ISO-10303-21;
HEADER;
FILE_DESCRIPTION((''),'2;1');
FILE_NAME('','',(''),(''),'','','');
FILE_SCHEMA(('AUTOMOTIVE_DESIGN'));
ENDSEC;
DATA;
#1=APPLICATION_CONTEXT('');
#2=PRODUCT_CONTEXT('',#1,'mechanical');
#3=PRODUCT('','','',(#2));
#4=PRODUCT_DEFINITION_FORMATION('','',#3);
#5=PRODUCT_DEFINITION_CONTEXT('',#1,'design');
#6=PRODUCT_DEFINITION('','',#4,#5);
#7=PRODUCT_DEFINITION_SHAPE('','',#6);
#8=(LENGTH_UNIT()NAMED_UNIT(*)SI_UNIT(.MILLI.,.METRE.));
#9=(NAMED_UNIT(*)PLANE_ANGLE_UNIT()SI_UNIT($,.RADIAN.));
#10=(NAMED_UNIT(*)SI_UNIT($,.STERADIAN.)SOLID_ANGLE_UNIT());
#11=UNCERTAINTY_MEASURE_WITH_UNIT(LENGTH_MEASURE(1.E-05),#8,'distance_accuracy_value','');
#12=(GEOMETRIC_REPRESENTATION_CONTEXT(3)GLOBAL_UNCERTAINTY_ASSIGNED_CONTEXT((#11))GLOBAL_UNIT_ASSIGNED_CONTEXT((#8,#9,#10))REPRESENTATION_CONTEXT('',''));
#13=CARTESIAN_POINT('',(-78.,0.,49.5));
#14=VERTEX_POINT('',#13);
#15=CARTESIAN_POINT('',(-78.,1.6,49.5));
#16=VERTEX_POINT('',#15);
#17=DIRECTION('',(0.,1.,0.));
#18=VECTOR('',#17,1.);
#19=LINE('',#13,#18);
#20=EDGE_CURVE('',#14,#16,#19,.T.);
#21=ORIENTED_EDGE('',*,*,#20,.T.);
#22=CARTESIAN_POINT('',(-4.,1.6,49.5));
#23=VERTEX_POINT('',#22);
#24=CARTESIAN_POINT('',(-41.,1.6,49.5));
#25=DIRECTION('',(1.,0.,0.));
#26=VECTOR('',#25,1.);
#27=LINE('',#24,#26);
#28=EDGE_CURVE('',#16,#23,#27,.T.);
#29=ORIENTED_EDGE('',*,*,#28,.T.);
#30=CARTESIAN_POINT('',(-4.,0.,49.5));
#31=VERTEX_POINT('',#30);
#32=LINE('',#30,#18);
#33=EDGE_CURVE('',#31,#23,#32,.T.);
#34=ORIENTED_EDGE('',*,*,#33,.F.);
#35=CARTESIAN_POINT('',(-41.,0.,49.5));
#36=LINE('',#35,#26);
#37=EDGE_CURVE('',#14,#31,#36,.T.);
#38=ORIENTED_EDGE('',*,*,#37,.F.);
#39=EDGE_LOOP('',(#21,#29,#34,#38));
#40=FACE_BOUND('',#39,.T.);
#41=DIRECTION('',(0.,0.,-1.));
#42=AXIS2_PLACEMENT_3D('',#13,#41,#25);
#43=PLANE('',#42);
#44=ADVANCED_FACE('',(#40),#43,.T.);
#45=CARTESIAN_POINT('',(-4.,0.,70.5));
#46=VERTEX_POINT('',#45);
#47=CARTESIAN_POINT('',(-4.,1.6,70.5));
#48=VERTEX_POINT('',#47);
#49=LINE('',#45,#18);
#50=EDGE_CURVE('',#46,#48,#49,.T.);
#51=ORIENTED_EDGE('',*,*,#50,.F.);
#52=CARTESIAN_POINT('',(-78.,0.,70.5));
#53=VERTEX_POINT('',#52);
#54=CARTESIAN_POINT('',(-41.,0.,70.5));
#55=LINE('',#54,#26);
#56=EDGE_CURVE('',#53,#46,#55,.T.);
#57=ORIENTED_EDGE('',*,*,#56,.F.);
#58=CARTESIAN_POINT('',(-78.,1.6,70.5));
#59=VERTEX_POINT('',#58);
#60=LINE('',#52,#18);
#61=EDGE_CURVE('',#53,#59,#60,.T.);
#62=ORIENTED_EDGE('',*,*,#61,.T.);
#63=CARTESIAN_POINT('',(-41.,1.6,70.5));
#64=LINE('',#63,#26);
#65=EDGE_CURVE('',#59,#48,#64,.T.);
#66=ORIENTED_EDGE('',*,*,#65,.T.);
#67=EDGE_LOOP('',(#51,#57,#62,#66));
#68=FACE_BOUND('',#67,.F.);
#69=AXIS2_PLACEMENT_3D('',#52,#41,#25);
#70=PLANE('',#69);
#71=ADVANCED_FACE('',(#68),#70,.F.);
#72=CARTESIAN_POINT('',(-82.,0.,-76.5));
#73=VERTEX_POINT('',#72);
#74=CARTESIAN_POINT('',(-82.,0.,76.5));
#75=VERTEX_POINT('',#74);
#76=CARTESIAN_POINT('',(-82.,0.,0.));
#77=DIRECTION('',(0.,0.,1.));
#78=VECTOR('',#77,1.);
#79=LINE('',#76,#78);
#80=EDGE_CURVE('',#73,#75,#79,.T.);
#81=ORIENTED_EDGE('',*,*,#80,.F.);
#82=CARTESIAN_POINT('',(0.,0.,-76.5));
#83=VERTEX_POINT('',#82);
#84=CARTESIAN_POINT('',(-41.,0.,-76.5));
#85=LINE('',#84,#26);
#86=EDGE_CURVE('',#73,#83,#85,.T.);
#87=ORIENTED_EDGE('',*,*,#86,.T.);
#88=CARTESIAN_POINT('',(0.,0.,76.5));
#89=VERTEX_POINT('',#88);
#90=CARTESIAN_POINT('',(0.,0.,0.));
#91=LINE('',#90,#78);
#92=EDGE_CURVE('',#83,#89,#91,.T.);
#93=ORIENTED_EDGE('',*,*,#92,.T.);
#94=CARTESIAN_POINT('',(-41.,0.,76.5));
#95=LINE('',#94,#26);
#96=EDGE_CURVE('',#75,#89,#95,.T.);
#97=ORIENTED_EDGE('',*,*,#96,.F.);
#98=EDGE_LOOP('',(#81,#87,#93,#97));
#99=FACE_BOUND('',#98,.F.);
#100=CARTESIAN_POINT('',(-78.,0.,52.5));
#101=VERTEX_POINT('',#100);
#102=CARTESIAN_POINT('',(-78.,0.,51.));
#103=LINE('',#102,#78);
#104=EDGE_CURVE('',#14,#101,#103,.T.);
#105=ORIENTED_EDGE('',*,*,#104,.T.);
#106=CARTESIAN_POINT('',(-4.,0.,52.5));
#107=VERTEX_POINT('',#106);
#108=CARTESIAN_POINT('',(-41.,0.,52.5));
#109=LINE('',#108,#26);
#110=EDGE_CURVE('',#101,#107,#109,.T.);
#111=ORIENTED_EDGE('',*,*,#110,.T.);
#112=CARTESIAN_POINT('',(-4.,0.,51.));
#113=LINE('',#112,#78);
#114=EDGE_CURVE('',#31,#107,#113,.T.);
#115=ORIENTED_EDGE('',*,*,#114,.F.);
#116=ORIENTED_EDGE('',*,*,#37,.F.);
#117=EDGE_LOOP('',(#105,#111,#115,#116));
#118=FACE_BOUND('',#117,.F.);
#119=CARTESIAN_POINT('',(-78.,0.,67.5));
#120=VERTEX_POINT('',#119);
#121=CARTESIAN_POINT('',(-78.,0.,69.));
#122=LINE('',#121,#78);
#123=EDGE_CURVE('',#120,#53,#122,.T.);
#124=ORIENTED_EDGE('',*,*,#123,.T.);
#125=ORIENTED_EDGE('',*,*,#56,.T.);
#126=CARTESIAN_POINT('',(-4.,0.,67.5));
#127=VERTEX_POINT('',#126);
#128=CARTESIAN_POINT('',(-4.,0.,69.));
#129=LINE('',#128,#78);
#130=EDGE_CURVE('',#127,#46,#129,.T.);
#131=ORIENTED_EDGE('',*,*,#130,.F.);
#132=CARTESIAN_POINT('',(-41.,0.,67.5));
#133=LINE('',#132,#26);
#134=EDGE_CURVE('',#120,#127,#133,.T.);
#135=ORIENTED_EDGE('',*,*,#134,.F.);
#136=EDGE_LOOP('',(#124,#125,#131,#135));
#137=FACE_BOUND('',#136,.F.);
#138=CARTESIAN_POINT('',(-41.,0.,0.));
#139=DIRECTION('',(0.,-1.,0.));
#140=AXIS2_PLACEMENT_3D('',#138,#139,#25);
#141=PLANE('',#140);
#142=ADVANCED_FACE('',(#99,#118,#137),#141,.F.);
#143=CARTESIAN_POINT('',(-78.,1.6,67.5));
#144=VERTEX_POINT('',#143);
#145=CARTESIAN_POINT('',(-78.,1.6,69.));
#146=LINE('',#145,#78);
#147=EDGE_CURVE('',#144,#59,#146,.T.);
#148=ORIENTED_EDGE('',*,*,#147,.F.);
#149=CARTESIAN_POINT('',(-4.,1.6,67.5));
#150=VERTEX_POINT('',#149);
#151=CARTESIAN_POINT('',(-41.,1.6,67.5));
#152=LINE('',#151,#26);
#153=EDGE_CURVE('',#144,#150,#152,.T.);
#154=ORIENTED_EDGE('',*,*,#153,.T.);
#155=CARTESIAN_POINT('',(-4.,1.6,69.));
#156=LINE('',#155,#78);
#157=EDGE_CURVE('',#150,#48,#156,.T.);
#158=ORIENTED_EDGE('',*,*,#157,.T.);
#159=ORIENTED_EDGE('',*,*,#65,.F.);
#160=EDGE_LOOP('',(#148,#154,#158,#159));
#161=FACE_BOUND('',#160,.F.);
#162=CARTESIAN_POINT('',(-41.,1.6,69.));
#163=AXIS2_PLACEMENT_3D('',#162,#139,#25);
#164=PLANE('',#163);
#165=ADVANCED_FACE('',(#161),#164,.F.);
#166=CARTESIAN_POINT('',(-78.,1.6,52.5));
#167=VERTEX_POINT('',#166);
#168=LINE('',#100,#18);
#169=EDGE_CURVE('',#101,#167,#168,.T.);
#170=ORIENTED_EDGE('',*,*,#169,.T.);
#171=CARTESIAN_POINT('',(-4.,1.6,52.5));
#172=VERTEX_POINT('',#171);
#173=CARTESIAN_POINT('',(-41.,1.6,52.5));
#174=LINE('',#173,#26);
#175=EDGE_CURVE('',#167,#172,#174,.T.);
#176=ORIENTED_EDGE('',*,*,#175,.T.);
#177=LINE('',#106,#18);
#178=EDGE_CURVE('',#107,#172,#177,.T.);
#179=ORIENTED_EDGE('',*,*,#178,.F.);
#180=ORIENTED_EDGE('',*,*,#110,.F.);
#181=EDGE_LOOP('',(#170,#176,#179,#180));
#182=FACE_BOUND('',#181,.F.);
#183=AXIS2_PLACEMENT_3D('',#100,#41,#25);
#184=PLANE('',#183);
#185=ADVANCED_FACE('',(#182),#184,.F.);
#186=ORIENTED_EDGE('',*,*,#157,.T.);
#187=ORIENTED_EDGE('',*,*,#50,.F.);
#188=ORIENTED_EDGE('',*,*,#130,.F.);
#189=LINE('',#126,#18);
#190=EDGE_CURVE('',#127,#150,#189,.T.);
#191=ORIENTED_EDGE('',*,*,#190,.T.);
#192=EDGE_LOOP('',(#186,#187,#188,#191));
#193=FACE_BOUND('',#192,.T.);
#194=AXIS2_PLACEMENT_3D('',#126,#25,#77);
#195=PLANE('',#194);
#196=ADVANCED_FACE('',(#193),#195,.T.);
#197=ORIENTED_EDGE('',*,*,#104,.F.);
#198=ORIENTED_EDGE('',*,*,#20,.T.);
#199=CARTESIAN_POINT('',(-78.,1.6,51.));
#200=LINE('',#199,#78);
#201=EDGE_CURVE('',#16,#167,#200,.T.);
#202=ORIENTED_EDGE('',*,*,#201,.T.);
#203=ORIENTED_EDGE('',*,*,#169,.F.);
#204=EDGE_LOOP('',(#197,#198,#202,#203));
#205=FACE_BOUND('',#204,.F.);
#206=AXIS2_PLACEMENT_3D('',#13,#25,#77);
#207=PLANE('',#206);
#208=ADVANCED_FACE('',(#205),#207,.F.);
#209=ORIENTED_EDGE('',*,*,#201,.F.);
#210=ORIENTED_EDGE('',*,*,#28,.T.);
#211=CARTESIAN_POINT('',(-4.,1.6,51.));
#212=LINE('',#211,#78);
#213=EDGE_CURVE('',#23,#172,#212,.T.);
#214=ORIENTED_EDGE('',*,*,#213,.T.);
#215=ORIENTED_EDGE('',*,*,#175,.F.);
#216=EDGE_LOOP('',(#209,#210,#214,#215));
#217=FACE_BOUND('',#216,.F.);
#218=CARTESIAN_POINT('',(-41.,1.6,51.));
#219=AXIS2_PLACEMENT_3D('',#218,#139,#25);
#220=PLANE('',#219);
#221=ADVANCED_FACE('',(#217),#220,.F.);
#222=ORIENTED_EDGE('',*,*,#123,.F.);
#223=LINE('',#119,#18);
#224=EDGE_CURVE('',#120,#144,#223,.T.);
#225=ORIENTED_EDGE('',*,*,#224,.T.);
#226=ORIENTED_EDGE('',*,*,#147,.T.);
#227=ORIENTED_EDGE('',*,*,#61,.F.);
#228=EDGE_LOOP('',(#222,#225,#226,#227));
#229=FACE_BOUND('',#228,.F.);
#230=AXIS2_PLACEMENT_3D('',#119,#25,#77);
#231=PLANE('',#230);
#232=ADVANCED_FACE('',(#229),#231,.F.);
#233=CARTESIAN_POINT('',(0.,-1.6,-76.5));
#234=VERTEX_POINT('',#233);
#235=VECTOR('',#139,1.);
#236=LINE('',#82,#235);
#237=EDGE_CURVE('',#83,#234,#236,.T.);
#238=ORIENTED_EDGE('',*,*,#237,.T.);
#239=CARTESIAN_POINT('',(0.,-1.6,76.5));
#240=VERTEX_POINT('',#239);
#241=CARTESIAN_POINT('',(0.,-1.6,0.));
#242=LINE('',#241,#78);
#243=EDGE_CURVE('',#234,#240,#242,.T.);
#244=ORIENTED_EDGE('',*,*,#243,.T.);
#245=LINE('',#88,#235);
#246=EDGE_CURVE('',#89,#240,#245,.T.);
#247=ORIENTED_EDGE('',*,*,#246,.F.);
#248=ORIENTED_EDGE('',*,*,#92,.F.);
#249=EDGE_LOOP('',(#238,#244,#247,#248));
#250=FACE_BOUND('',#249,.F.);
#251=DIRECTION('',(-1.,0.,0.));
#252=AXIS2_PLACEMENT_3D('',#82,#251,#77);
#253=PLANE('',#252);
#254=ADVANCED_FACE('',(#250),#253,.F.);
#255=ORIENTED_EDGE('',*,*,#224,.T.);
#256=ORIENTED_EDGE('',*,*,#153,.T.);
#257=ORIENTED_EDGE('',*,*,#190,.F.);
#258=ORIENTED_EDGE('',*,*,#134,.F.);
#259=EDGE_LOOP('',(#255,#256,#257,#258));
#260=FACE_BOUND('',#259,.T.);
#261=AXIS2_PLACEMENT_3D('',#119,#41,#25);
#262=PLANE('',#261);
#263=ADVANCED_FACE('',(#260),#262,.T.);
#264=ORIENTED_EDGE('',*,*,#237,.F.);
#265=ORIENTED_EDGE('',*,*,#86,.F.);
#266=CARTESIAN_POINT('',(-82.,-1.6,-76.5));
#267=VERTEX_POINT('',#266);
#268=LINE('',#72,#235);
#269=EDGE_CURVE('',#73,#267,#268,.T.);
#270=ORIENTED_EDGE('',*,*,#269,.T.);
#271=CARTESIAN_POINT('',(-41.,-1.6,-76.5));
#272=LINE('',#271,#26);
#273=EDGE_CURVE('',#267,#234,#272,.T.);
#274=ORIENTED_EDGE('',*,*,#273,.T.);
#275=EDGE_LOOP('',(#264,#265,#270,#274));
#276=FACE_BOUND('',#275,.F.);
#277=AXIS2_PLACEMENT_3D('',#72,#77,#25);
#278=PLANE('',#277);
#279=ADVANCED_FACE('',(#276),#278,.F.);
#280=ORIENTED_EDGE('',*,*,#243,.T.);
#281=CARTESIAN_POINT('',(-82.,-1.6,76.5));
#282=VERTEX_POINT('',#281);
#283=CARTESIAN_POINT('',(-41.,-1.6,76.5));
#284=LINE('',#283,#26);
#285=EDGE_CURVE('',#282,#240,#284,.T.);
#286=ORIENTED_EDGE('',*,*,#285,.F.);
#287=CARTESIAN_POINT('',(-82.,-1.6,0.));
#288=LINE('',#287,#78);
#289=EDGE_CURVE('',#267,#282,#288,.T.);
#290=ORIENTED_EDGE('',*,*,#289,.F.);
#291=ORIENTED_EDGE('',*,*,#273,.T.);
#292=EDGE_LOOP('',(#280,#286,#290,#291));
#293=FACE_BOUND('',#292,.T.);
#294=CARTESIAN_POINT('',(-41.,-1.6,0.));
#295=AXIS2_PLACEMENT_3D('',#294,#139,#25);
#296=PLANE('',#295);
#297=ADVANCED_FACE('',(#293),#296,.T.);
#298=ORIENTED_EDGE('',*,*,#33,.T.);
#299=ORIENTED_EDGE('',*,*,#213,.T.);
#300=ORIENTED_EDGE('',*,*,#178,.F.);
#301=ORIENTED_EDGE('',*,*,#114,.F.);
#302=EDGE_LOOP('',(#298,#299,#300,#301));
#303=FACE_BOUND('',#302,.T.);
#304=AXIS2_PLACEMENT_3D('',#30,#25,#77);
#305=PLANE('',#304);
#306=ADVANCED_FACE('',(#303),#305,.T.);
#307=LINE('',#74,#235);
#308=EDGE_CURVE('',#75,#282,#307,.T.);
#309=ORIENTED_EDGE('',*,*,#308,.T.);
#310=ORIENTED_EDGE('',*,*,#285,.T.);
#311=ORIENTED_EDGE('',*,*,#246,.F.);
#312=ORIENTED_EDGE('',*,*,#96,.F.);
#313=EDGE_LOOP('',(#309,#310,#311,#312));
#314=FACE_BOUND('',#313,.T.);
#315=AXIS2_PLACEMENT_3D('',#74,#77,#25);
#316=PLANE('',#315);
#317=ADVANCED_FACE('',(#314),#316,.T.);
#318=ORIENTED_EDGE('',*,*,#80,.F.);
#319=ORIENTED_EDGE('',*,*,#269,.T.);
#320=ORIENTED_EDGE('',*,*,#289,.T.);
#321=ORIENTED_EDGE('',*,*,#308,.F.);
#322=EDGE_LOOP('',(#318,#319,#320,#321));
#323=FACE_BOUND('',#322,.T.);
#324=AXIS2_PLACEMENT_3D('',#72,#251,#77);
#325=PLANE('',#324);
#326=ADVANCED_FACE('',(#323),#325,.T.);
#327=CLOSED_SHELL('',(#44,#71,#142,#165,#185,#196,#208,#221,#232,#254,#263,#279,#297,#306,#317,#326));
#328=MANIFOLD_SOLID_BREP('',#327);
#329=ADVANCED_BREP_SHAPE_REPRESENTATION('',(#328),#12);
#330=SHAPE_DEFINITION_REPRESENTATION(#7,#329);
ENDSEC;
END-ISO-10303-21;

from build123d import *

# Parameters (mm, degrees)
F0_W     = 82
F0_H     = 153
F1_DEPTH = 1.6
F2_W     = 74
F2_H     = 3
F3_DEPTH = 1.6


with BuildPart() as f1:
    # F0 (on Front) → F1 (new body)
    with BuildSketch(Plane.XZ):
        with Locations((-41, 0)):
            Rectangle(F0_W, F0_H)
    extrude(amount=F1_DEPTH)

    # F2 (on Front) → F3 (join)
    with BuildSketch(Plane.XZ):
        with Locations((-41, 69)):
            Rectangle(F2_W, F2_H)
        with Locations((-41, 51)):
            Rectangle(F2_W, F2_H)
    extrude(amount=-F3_DEPTH)


solid = f1.part
